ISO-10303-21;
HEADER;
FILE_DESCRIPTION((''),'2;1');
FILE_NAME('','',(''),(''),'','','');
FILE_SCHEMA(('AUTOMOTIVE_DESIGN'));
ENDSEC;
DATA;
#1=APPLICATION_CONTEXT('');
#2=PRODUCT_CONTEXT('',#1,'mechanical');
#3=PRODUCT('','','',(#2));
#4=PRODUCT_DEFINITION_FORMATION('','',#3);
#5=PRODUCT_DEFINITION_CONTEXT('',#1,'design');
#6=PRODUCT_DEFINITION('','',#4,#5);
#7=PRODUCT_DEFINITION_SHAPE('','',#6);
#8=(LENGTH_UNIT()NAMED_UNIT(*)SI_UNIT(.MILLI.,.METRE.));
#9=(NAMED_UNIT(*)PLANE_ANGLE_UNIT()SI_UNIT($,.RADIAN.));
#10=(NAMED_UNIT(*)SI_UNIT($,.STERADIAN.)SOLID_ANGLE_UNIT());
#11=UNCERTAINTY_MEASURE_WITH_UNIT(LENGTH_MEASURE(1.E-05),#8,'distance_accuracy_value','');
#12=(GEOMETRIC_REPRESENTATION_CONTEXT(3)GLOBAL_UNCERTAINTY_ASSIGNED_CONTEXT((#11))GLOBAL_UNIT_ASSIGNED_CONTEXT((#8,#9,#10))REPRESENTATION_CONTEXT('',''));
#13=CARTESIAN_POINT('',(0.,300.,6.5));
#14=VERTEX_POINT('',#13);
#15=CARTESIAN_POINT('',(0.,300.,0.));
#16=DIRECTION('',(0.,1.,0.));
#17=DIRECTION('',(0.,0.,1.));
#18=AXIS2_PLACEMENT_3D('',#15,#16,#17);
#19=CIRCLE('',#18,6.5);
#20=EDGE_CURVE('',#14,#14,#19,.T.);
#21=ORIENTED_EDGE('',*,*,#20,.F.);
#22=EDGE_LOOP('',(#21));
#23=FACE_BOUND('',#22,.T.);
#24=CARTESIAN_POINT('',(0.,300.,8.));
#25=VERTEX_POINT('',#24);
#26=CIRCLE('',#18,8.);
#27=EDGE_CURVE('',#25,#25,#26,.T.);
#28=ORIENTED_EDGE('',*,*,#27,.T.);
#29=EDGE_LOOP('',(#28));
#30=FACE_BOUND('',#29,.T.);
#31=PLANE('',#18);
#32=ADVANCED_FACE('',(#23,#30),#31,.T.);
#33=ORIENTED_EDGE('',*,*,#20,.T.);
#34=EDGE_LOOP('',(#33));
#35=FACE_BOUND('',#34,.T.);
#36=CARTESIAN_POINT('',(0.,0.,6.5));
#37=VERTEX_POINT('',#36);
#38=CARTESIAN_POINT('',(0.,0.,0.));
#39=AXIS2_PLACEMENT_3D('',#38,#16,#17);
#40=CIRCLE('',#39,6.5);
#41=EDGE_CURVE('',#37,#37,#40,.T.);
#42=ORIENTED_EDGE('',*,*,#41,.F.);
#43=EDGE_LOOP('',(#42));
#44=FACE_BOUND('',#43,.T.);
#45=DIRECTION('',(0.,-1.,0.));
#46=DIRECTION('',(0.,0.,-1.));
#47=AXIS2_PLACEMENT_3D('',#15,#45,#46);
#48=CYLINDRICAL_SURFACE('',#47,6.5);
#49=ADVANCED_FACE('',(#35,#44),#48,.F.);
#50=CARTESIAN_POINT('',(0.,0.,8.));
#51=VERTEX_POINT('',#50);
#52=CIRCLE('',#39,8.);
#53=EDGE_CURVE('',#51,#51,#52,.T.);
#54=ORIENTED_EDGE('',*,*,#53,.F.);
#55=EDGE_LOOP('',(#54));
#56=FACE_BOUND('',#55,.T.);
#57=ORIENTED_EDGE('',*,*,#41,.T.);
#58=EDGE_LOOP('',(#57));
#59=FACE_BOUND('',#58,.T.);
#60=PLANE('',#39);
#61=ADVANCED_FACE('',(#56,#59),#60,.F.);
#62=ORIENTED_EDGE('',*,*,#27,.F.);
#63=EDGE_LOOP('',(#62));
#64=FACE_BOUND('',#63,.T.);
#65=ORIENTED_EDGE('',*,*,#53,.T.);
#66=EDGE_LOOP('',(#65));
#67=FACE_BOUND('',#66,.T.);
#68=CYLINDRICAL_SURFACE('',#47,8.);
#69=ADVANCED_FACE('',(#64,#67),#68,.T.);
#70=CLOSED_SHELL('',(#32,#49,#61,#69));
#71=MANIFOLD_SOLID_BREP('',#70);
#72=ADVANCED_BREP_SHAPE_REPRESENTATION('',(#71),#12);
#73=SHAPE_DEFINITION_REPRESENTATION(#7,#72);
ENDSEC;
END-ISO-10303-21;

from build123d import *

# Parameters (mm, degrees)
CROQUIS_TUBO_R   = 8
CROQUIS_TUBO_R_2 = 6.5
TUBO_DEPTH       = 300


with BuildPart() as part:
    # Croquis_tubo → Tubo (new body)
    with BuildSketch(Plane(origin=(0, 0, 0), x_dir=(1, 0, 0), z_dir=(0, 1, 0))):
        with Locations(Location((0, 0, 0), (0, 0, 270))):
            Circle(CROQUIS_TUBO_R)
        with Locations(Location((0, 0, 0), (0, 0, 270))):
            Circle(CROQUIS_TUBO_R_2, mode=Mode.SUBTRACT)
    extrude(amount=TUBO_DEPTH)


solid = part.part
